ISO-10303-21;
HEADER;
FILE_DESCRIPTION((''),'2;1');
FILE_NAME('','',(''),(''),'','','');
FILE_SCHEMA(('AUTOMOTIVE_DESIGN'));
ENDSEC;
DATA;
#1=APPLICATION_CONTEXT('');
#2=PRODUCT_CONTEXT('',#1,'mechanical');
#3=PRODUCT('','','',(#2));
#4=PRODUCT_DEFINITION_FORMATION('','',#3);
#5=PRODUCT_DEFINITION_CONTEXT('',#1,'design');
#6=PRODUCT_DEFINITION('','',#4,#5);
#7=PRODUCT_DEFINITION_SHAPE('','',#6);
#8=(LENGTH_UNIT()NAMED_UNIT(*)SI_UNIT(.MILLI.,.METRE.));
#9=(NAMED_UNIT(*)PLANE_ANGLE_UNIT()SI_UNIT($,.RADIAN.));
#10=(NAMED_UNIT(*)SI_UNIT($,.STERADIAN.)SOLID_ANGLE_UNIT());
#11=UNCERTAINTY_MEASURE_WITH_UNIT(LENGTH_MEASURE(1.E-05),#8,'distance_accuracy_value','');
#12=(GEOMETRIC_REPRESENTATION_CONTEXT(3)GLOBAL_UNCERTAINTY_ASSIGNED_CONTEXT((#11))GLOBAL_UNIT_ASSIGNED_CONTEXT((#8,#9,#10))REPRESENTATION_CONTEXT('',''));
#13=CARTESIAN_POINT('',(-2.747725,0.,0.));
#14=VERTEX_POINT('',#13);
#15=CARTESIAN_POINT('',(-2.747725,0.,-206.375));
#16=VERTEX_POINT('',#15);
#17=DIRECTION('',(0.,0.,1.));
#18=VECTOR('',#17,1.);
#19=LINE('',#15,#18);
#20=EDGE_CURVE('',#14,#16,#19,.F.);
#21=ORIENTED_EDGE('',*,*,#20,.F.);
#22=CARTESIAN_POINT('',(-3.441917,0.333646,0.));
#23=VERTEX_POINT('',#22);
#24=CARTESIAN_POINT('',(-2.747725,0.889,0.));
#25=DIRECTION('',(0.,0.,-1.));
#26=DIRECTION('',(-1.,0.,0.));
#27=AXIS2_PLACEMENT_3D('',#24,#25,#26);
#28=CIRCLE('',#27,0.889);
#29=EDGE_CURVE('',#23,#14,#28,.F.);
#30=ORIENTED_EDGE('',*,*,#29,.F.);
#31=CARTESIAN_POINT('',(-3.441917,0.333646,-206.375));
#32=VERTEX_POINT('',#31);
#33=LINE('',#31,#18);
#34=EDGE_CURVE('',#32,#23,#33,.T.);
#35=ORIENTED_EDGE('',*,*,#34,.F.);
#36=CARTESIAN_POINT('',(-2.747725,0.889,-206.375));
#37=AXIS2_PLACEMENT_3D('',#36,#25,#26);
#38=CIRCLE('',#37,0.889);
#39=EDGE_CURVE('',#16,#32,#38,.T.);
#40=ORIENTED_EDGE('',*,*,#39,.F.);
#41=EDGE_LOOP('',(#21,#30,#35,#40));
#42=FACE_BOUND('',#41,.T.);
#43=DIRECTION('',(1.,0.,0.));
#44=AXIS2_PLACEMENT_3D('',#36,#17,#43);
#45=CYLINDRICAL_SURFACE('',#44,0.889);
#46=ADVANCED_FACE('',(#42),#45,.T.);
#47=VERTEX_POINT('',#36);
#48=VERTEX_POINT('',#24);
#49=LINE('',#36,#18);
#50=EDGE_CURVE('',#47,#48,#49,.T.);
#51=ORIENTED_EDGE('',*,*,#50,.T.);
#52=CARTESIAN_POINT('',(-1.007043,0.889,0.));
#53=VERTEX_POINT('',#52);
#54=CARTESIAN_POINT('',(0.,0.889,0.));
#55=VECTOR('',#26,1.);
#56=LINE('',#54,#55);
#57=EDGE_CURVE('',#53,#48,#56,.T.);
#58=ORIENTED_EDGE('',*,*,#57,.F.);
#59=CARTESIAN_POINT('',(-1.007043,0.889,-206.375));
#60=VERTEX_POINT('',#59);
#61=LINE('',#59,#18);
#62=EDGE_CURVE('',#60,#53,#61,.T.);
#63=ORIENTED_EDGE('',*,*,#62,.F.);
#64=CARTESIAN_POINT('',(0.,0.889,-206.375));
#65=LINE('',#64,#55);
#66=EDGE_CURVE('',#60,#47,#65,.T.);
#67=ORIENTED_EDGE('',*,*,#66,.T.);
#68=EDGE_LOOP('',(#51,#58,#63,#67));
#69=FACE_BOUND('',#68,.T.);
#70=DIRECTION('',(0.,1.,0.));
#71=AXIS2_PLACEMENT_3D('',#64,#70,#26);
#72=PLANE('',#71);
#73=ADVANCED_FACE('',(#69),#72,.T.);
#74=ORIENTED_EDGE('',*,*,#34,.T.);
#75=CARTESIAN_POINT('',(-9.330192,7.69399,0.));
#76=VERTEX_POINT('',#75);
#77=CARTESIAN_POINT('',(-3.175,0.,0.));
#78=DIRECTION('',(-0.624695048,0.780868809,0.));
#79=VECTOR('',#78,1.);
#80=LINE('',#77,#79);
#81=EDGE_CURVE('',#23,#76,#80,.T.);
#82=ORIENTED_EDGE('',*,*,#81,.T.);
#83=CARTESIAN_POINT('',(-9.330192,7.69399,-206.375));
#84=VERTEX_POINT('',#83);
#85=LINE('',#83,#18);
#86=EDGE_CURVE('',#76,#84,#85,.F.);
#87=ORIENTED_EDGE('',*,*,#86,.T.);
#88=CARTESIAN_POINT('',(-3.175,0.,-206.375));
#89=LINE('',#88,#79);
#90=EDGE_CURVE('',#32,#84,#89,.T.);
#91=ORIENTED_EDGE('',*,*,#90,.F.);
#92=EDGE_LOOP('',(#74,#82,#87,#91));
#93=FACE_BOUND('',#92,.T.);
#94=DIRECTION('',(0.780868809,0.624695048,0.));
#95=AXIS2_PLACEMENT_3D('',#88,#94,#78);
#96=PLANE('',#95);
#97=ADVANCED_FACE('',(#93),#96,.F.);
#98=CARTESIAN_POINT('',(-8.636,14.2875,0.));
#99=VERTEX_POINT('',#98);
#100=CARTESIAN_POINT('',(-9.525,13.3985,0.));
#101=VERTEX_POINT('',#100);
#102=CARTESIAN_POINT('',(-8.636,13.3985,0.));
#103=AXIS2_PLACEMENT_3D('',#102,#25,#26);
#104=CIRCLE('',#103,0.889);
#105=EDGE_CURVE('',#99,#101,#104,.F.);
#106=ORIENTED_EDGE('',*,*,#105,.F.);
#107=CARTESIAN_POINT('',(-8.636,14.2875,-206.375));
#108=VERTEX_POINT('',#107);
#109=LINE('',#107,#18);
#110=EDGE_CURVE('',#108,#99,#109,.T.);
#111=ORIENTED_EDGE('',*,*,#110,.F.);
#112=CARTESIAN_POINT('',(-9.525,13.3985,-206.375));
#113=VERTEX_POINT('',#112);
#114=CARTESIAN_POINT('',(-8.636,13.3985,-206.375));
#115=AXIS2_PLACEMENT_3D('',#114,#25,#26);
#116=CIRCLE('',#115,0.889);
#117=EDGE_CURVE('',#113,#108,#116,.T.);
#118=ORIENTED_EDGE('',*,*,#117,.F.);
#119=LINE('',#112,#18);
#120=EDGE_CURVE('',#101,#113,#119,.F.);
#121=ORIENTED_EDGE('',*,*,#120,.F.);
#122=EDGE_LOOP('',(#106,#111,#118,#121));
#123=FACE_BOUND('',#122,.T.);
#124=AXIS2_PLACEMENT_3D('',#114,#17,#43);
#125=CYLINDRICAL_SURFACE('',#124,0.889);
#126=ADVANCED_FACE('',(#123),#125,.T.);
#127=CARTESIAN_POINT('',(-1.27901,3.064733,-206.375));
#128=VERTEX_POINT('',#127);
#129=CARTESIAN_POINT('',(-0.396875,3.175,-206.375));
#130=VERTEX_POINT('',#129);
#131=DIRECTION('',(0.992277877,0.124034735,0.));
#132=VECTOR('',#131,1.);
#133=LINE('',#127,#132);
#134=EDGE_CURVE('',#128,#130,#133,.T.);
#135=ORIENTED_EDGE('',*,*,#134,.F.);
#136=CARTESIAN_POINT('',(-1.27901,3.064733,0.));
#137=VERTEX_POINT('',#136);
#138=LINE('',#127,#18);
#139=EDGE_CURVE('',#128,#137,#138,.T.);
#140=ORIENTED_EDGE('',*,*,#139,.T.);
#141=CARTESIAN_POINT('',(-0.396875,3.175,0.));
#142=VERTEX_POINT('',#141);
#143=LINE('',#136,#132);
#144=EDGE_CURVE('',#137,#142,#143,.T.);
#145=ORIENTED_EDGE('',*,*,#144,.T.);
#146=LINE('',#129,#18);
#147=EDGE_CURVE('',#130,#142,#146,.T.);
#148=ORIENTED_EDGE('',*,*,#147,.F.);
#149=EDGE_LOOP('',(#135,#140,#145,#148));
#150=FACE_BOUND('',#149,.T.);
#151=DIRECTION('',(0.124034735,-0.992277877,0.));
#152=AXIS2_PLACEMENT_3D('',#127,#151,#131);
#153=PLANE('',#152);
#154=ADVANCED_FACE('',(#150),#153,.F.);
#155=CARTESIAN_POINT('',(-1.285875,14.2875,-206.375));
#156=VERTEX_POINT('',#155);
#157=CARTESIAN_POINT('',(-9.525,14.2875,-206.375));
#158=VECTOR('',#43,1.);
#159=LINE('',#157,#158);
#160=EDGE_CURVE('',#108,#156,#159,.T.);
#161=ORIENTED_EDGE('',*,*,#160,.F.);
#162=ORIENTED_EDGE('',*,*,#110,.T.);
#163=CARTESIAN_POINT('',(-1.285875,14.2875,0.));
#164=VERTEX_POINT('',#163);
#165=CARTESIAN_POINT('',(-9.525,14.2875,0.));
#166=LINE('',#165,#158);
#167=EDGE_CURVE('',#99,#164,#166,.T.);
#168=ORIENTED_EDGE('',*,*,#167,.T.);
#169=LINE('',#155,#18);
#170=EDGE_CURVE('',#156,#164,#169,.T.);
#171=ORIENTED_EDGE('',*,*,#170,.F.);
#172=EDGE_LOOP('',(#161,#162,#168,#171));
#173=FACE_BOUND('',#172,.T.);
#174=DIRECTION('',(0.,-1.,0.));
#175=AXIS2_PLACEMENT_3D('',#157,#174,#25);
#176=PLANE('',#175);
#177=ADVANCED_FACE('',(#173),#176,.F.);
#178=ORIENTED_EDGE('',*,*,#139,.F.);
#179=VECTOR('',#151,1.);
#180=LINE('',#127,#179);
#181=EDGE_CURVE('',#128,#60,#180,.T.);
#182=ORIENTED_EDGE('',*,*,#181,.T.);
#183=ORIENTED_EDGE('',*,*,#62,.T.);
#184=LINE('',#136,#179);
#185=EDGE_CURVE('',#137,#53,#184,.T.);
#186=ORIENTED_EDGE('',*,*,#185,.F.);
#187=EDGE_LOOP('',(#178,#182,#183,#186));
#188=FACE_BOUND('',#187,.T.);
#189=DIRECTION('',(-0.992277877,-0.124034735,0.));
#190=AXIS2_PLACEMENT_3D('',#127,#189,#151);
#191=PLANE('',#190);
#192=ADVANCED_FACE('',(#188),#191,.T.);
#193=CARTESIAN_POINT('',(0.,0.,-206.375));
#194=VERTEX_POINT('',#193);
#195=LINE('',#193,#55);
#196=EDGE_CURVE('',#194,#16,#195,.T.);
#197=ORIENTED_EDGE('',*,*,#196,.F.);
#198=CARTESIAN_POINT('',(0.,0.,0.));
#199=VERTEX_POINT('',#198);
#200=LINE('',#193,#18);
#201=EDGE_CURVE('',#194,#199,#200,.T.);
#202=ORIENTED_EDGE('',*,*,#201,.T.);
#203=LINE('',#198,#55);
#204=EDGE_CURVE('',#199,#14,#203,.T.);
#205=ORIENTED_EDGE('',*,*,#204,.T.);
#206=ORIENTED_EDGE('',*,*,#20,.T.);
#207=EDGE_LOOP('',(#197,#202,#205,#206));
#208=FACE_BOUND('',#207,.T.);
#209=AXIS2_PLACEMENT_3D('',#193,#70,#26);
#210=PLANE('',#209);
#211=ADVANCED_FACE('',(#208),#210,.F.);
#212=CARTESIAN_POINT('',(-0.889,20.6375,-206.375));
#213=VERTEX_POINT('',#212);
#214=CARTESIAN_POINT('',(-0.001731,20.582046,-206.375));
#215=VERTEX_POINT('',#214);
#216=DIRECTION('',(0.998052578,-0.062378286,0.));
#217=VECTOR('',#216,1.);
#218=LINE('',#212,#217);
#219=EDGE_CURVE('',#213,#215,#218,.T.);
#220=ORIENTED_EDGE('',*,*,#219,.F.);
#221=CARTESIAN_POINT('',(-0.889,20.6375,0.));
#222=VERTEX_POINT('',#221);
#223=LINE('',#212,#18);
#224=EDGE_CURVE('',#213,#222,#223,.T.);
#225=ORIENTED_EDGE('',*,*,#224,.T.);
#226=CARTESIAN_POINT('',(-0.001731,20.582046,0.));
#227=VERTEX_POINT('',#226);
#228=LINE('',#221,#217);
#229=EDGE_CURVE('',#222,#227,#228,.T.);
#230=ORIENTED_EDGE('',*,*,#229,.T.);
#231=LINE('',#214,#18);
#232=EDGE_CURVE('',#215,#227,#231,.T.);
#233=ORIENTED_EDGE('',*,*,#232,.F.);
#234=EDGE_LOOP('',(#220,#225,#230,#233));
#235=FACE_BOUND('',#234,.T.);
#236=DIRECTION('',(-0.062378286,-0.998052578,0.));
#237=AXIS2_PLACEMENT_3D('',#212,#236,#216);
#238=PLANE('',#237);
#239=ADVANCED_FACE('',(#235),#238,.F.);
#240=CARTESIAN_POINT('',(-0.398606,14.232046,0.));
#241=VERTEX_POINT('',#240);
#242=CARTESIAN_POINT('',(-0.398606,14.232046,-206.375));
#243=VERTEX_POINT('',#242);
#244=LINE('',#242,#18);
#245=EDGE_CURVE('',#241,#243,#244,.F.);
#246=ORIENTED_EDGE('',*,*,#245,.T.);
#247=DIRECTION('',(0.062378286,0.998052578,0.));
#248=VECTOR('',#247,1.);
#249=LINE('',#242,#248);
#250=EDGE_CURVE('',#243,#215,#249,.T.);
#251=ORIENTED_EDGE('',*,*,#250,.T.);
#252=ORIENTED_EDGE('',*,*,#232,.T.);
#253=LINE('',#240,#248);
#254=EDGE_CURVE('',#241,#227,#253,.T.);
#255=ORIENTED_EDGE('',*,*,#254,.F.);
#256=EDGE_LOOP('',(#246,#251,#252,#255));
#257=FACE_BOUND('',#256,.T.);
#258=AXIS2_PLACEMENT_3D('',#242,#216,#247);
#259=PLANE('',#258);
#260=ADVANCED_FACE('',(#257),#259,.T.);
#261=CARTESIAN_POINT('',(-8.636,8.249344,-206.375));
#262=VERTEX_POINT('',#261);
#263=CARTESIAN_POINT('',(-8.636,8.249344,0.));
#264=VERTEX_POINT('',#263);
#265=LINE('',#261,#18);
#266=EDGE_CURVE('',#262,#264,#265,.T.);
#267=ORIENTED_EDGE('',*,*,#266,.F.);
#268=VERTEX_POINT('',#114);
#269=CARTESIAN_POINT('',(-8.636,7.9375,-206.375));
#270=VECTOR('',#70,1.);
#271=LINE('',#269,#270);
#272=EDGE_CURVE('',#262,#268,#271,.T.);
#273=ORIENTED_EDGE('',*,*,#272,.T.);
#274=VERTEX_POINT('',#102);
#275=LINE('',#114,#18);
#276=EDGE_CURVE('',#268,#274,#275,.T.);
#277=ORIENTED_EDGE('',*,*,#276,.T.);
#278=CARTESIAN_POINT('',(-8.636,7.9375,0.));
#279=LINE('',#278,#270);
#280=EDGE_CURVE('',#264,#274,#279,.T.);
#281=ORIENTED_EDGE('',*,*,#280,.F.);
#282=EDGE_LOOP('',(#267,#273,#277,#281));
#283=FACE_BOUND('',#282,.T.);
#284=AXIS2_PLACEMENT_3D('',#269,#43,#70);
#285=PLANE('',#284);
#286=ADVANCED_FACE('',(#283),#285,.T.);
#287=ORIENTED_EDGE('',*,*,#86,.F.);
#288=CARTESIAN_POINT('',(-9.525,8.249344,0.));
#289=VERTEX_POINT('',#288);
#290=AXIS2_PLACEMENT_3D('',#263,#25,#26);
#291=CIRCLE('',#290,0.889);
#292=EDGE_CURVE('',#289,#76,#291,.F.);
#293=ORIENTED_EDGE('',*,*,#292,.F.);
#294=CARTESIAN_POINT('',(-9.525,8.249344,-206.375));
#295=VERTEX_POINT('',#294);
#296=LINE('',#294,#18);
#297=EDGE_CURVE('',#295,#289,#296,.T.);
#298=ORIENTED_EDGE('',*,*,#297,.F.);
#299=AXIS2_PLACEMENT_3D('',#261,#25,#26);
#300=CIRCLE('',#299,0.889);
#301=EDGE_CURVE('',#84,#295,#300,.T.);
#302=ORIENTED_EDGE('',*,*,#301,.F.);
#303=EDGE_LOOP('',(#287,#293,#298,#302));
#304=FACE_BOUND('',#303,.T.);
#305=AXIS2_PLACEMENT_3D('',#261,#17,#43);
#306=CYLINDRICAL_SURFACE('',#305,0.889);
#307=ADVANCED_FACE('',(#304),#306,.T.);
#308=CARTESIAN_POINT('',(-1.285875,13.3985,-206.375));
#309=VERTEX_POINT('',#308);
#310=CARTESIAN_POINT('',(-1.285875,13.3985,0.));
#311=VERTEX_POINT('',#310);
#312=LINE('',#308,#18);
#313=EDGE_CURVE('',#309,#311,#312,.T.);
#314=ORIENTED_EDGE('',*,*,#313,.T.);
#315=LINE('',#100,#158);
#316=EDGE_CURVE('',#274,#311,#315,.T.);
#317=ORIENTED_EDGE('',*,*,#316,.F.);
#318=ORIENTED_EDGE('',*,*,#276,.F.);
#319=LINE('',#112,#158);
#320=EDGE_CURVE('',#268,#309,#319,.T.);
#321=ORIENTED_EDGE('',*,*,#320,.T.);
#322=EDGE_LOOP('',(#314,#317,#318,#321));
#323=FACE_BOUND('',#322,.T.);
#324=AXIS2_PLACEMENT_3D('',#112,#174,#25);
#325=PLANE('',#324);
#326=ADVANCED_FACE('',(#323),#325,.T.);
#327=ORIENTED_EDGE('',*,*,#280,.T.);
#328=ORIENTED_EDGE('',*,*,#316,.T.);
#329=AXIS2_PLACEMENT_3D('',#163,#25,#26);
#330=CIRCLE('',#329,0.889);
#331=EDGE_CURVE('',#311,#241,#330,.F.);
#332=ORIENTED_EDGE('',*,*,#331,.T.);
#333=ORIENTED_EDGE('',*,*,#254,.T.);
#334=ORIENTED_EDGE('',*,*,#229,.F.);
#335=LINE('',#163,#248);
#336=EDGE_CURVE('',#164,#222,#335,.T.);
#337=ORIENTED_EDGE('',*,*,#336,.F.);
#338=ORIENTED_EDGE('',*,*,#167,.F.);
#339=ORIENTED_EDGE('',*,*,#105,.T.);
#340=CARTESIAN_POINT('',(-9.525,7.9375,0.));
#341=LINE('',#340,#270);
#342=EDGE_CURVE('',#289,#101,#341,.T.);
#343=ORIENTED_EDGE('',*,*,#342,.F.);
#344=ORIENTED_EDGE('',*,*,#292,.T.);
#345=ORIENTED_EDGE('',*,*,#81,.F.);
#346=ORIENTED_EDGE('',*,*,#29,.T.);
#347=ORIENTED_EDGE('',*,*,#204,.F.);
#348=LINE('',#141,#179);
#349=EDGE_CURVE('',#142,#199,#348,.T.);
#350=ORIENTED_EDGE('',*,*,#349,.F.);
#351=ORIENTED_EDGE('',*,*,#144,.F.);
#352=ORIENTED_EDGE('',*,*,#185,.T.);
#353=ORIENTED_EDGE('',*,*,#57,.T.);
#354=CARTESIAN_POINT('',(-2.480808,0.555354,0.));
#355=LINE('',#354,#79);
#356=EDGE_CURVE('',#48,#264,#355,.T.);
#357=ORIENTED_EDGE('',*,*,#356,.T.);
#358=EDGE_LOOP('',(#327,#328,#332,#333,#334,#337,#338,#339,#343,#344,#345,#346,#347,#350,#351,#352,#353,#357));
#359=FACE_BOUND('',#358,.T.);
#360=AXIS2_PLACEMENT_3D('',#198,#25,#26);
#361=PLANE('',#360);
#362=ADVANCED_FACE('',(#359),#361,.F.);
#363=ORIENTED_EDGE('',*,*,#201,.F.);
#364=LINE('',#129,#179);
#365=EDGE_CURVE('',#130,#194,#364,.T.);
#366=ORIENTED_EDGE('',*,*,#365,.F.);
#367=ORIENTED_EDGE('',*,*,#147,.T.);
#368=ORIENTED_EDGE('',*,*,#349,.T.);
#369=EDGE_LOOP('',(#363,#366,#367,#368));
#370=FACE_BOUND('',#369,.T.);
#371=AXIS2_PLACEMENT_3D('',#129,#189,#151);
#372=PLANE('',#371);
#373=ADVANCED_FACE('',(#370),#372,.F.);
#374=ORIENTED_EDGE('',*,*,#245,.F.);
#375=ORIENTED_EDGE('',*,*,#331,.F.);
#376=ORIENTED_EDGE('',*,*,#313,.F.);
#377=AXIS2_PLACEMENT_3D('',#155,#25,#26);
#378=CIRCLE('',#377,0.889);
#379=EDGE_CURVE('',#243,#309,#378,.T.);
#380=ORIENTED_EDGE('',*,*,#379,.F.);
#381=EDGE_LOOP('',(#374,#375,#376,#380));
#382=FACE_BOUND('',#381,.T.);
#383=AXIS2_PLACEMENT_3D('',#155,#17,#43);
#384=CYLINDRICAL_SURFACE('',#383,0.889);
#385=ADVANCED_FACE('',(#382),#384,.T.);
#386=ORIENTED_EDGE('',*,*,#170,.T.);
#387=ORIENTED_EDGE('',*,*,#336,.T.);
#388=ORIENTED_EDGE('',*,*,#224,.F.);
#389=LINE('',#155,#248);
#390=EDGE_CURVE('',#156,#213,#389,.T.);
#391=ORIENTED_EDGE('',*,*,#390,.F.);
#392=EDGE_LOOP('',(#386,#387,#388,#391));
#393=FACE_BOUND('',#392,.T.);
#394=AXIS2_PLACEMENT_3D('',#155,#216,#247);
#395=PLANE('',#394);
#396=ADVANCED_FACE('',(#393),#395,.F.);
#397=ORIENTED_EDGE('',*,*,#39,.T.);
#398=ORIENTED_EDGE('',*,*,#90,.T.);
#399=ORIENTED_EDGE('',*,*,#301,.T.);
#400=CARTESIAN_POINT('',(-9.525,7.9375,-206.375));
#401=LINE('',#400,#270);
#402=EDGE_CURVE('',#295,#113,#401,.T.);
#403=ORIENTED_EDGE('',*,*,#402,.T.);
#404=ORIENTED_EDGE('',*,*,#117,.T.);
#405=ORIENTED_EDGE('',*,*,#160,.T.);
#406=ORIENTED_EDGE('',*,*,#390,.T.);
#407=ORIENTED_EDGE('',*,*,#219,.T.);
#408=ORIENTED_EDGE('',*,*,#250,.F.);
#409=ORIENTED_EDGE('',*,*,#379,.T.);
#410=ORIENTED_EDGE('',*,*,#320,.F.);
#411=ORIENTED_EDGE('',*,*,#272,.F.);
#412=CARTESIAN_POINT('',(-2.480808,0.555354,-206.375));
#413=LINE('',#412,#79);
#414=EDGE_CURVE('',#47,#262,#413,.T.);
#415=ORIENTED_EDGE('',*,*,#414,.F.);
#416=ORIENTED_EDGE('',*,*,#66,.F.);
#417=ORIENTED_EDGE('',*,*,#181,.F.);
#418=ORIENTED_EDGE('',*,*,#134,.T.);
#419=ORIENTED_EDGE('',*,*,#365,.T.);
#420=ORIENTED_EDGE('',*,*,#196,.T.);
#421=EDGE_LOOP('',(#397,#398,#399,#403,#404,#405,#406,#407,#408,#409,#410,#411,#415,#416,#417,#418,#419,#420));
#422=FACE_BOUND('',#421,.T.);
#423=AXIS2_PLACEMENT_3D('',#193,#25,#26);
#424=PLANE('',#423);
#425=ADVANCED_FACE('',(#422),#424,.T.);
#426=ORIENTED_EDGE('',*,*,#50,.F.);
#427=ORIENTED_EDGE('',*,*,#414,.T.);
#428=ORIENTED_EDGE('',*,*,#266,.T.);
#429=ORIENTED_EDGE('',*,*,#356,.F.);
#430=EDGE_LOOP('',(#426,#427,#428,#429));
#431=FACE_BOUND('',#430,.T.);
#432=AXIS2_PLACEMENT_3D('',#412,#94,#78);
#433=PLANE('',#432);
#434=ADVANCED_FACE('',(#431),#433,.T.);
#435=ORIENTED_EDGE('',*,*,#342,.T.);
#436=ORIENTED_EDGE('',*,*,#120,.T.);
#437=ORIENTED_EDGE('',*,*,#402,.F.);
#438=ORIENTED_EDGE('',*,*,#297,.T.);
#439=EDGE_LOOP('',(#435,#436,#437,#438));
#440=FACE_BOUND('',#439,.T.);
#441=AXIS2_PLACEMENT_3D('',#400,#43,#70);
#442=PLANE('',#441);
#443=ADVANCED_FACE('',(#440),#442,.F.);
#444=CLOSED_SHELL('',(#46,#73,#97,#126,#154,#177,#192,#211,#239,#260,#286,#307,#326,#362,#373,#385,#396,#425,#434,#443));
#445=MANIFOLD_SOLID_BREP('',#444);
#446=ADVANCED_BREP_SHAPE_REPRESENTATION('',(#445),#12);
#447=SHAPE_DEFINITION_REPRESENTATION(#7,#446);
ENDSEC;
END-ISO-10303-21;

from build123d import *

# Parameters (mm, degrees)
EXTRUDE_THIN1_DEPTH = 206.375
FILLET1_R           = 0.889


with BuildPart() as part:
    # Sketch1 → Extrude-Thin1 (new body)
    with BuildSketch(Plane.XY):
        Polygon((-0.396875, 3.175), (0, 0), (-3.175, 0), (-9.525, 7.9375), (-9.525, 14.2875), (-1.285875, 14.2875), (-0.889, 20.6375), (-0.001731258, 20.582045704), (-0.450702864, 13.3985), (-8.636, 13.3985), (-8.636, 8.249344362), (-2.747724511, 0.889), (-1.007043392, 0.889), (-1.279010032, 3.064733121), align=None)
    extrude(amount=-EXTRUDE_THIN1_DEPTH)

    # Fillet1
    fillet1_edges = [part.edges().sort_by_distance(p)[0] for p in [
        (-0.450702864, 13.3985, -103.1875),
        (-3.175, 0, -103.1875),
        (-9.525, 7.9375, -103.1875),
        (-9.525, 14.2875, -103.1875),
    ]]
    fillet(fillet1_edges, radius=FILLET1_R)


solid = part.part
